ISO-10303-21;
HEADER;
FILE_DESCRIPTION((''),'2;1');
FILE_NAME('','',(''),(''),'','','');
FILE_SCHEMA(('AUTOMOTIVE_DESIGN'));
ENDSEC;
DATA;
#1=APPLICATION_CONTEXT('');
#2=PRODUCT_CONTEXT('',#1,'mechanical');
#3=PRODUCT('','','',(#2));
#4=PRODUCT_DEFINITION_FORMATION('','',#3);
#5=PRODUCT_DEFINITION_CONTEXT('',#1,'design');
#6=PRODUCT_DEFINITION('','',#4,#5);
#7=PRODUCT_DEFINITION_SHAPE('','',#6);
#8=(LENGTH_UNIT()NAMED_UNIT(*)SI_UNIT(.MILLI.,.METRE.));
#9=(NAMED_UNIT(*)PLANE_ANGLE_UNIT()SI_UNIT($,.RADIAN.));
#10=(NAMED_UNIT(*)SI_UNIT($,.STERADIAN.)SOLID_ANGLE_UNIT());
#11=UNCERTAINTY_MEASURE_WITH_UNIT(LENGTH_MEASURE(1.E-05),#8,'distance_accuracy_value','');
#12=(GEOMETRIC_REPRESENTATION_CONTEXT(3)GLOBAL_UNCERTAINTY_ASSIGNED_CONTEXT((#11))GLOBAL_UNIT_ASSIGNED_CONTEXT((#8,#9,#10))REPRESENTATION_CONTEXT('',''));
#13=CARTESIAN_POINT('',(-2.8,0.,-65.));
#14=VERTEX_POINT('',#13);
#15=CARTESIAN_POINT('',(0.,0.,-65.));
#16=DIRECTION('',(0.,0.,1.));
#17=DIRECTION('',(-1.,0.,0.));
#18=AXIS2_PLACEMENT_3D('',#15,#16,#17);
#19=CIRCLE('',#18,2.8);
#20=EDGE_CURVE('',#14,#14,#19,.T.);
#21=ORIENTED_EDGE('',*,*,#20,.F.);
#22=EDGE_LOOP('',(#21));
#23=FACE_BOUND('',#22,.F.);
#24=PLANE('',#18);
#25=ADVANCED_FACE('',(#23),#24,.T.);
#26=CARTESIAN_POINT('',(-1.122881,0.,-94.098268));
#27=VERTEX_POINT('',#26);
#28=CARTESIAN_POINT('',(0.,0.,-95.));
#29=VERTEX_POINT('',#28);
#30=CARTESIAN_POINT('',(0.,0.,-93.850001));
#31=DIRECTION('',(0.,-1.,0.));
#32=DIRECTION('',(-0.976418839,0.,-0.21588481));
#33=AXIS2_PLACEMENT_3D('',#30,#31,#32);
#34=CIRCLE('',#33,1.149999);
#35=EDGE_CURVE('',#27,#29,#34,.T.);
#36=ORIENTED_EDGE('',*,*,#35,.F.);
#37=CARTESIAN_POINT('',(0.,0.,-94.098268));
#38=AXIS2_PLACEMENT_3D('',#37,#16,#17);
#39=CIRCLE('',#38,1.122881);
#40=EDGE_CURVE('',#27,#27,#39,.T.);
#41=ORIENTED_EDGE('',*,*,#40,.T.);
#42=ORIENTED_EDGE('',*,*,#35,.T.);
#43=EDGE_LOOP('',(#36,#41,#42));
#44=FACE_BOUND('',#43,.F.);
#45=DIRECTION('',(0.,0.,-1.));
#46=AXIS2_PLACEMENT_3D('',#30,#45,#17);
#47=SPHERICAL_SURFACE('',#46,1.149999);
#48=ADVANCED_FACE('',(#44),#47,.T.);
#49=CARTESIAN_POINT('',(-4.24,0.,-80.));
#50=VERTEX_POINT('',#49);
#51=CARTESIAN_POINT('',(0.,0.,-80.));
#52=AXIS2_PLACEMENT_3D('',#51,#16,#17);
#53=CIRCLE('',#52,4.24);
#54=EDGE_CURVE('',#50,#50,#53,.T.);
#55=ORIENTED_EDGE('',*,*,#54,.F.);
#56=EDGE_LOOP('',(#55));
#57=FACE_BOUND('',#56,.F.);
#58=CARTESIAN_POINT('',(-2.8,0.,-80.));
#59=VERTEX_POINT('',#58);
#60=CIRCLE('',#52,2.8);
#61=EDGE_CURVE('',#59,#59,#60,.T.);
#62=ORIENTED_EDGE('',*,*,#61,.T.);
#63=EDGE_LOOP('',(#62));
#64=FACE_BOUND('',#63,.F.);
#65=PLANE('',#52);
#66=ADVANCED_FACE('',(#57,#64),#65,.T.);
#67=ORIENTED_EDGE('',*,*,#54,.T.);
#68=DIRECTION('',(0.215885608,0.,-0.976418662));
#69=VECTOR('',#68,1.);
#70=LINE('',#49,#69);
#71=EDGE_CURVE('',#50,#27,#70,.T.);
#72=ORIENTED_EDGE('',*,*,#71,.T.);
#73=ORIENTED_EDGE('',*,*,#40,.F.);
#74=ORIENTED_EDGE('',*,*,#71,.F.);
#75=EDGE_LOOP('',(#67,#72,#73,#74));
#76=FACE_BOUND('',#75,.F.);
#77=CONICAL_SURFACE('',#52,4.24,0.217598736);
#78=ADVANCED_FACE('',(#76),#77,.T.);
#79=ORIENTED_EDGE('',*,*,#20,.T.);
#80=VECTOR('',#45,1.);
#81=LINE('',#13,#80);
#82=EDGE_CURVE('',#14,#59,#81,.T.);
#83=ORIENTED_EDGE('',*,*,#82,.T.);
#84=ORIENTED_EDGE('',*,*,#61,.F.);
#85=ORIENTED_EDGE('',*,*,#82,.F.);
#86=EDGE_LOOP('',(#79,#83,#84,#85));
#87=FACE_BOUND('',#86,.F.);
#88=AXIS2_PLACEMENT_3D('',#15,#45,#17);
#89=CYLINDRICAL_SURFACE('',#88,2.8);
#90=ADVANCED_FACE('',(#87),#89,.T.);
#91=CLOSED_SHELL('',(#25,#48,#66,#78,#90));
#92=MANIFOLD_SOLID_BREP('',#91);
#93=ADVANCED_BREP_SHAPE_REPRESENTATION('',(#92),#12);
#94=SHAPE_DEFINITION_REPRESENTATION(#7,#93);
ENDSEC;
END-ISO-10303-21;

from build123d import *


with BuildPart() as part:
    # Sketch128 → Revolution005 (revolve)
    with BuildSketch(Plane.XZ):
        with BuildLine():
            Line((0, 0), (-2.8, 0))
            Line((-2.8, 0), (-2.8, -15))
            Line((-2.8, -15), (-4.24, -15))
            Line((-4.24, -15), (-1.122881, -29.098268))
            ThreePointArc((-1.122881, -29.098268), (-0.720066, -29.746663), (0, -30))
            Line((0, -30), (0, 0))
        make_face()
    revolve(axis=Axis((0, 0, 0), (0, 0, 1)))


with BuildPart() as part_1:
    # Body032 placement: moved
    add(part.part.moved(Location((0, 0, -65))))


solid = part_1.part
